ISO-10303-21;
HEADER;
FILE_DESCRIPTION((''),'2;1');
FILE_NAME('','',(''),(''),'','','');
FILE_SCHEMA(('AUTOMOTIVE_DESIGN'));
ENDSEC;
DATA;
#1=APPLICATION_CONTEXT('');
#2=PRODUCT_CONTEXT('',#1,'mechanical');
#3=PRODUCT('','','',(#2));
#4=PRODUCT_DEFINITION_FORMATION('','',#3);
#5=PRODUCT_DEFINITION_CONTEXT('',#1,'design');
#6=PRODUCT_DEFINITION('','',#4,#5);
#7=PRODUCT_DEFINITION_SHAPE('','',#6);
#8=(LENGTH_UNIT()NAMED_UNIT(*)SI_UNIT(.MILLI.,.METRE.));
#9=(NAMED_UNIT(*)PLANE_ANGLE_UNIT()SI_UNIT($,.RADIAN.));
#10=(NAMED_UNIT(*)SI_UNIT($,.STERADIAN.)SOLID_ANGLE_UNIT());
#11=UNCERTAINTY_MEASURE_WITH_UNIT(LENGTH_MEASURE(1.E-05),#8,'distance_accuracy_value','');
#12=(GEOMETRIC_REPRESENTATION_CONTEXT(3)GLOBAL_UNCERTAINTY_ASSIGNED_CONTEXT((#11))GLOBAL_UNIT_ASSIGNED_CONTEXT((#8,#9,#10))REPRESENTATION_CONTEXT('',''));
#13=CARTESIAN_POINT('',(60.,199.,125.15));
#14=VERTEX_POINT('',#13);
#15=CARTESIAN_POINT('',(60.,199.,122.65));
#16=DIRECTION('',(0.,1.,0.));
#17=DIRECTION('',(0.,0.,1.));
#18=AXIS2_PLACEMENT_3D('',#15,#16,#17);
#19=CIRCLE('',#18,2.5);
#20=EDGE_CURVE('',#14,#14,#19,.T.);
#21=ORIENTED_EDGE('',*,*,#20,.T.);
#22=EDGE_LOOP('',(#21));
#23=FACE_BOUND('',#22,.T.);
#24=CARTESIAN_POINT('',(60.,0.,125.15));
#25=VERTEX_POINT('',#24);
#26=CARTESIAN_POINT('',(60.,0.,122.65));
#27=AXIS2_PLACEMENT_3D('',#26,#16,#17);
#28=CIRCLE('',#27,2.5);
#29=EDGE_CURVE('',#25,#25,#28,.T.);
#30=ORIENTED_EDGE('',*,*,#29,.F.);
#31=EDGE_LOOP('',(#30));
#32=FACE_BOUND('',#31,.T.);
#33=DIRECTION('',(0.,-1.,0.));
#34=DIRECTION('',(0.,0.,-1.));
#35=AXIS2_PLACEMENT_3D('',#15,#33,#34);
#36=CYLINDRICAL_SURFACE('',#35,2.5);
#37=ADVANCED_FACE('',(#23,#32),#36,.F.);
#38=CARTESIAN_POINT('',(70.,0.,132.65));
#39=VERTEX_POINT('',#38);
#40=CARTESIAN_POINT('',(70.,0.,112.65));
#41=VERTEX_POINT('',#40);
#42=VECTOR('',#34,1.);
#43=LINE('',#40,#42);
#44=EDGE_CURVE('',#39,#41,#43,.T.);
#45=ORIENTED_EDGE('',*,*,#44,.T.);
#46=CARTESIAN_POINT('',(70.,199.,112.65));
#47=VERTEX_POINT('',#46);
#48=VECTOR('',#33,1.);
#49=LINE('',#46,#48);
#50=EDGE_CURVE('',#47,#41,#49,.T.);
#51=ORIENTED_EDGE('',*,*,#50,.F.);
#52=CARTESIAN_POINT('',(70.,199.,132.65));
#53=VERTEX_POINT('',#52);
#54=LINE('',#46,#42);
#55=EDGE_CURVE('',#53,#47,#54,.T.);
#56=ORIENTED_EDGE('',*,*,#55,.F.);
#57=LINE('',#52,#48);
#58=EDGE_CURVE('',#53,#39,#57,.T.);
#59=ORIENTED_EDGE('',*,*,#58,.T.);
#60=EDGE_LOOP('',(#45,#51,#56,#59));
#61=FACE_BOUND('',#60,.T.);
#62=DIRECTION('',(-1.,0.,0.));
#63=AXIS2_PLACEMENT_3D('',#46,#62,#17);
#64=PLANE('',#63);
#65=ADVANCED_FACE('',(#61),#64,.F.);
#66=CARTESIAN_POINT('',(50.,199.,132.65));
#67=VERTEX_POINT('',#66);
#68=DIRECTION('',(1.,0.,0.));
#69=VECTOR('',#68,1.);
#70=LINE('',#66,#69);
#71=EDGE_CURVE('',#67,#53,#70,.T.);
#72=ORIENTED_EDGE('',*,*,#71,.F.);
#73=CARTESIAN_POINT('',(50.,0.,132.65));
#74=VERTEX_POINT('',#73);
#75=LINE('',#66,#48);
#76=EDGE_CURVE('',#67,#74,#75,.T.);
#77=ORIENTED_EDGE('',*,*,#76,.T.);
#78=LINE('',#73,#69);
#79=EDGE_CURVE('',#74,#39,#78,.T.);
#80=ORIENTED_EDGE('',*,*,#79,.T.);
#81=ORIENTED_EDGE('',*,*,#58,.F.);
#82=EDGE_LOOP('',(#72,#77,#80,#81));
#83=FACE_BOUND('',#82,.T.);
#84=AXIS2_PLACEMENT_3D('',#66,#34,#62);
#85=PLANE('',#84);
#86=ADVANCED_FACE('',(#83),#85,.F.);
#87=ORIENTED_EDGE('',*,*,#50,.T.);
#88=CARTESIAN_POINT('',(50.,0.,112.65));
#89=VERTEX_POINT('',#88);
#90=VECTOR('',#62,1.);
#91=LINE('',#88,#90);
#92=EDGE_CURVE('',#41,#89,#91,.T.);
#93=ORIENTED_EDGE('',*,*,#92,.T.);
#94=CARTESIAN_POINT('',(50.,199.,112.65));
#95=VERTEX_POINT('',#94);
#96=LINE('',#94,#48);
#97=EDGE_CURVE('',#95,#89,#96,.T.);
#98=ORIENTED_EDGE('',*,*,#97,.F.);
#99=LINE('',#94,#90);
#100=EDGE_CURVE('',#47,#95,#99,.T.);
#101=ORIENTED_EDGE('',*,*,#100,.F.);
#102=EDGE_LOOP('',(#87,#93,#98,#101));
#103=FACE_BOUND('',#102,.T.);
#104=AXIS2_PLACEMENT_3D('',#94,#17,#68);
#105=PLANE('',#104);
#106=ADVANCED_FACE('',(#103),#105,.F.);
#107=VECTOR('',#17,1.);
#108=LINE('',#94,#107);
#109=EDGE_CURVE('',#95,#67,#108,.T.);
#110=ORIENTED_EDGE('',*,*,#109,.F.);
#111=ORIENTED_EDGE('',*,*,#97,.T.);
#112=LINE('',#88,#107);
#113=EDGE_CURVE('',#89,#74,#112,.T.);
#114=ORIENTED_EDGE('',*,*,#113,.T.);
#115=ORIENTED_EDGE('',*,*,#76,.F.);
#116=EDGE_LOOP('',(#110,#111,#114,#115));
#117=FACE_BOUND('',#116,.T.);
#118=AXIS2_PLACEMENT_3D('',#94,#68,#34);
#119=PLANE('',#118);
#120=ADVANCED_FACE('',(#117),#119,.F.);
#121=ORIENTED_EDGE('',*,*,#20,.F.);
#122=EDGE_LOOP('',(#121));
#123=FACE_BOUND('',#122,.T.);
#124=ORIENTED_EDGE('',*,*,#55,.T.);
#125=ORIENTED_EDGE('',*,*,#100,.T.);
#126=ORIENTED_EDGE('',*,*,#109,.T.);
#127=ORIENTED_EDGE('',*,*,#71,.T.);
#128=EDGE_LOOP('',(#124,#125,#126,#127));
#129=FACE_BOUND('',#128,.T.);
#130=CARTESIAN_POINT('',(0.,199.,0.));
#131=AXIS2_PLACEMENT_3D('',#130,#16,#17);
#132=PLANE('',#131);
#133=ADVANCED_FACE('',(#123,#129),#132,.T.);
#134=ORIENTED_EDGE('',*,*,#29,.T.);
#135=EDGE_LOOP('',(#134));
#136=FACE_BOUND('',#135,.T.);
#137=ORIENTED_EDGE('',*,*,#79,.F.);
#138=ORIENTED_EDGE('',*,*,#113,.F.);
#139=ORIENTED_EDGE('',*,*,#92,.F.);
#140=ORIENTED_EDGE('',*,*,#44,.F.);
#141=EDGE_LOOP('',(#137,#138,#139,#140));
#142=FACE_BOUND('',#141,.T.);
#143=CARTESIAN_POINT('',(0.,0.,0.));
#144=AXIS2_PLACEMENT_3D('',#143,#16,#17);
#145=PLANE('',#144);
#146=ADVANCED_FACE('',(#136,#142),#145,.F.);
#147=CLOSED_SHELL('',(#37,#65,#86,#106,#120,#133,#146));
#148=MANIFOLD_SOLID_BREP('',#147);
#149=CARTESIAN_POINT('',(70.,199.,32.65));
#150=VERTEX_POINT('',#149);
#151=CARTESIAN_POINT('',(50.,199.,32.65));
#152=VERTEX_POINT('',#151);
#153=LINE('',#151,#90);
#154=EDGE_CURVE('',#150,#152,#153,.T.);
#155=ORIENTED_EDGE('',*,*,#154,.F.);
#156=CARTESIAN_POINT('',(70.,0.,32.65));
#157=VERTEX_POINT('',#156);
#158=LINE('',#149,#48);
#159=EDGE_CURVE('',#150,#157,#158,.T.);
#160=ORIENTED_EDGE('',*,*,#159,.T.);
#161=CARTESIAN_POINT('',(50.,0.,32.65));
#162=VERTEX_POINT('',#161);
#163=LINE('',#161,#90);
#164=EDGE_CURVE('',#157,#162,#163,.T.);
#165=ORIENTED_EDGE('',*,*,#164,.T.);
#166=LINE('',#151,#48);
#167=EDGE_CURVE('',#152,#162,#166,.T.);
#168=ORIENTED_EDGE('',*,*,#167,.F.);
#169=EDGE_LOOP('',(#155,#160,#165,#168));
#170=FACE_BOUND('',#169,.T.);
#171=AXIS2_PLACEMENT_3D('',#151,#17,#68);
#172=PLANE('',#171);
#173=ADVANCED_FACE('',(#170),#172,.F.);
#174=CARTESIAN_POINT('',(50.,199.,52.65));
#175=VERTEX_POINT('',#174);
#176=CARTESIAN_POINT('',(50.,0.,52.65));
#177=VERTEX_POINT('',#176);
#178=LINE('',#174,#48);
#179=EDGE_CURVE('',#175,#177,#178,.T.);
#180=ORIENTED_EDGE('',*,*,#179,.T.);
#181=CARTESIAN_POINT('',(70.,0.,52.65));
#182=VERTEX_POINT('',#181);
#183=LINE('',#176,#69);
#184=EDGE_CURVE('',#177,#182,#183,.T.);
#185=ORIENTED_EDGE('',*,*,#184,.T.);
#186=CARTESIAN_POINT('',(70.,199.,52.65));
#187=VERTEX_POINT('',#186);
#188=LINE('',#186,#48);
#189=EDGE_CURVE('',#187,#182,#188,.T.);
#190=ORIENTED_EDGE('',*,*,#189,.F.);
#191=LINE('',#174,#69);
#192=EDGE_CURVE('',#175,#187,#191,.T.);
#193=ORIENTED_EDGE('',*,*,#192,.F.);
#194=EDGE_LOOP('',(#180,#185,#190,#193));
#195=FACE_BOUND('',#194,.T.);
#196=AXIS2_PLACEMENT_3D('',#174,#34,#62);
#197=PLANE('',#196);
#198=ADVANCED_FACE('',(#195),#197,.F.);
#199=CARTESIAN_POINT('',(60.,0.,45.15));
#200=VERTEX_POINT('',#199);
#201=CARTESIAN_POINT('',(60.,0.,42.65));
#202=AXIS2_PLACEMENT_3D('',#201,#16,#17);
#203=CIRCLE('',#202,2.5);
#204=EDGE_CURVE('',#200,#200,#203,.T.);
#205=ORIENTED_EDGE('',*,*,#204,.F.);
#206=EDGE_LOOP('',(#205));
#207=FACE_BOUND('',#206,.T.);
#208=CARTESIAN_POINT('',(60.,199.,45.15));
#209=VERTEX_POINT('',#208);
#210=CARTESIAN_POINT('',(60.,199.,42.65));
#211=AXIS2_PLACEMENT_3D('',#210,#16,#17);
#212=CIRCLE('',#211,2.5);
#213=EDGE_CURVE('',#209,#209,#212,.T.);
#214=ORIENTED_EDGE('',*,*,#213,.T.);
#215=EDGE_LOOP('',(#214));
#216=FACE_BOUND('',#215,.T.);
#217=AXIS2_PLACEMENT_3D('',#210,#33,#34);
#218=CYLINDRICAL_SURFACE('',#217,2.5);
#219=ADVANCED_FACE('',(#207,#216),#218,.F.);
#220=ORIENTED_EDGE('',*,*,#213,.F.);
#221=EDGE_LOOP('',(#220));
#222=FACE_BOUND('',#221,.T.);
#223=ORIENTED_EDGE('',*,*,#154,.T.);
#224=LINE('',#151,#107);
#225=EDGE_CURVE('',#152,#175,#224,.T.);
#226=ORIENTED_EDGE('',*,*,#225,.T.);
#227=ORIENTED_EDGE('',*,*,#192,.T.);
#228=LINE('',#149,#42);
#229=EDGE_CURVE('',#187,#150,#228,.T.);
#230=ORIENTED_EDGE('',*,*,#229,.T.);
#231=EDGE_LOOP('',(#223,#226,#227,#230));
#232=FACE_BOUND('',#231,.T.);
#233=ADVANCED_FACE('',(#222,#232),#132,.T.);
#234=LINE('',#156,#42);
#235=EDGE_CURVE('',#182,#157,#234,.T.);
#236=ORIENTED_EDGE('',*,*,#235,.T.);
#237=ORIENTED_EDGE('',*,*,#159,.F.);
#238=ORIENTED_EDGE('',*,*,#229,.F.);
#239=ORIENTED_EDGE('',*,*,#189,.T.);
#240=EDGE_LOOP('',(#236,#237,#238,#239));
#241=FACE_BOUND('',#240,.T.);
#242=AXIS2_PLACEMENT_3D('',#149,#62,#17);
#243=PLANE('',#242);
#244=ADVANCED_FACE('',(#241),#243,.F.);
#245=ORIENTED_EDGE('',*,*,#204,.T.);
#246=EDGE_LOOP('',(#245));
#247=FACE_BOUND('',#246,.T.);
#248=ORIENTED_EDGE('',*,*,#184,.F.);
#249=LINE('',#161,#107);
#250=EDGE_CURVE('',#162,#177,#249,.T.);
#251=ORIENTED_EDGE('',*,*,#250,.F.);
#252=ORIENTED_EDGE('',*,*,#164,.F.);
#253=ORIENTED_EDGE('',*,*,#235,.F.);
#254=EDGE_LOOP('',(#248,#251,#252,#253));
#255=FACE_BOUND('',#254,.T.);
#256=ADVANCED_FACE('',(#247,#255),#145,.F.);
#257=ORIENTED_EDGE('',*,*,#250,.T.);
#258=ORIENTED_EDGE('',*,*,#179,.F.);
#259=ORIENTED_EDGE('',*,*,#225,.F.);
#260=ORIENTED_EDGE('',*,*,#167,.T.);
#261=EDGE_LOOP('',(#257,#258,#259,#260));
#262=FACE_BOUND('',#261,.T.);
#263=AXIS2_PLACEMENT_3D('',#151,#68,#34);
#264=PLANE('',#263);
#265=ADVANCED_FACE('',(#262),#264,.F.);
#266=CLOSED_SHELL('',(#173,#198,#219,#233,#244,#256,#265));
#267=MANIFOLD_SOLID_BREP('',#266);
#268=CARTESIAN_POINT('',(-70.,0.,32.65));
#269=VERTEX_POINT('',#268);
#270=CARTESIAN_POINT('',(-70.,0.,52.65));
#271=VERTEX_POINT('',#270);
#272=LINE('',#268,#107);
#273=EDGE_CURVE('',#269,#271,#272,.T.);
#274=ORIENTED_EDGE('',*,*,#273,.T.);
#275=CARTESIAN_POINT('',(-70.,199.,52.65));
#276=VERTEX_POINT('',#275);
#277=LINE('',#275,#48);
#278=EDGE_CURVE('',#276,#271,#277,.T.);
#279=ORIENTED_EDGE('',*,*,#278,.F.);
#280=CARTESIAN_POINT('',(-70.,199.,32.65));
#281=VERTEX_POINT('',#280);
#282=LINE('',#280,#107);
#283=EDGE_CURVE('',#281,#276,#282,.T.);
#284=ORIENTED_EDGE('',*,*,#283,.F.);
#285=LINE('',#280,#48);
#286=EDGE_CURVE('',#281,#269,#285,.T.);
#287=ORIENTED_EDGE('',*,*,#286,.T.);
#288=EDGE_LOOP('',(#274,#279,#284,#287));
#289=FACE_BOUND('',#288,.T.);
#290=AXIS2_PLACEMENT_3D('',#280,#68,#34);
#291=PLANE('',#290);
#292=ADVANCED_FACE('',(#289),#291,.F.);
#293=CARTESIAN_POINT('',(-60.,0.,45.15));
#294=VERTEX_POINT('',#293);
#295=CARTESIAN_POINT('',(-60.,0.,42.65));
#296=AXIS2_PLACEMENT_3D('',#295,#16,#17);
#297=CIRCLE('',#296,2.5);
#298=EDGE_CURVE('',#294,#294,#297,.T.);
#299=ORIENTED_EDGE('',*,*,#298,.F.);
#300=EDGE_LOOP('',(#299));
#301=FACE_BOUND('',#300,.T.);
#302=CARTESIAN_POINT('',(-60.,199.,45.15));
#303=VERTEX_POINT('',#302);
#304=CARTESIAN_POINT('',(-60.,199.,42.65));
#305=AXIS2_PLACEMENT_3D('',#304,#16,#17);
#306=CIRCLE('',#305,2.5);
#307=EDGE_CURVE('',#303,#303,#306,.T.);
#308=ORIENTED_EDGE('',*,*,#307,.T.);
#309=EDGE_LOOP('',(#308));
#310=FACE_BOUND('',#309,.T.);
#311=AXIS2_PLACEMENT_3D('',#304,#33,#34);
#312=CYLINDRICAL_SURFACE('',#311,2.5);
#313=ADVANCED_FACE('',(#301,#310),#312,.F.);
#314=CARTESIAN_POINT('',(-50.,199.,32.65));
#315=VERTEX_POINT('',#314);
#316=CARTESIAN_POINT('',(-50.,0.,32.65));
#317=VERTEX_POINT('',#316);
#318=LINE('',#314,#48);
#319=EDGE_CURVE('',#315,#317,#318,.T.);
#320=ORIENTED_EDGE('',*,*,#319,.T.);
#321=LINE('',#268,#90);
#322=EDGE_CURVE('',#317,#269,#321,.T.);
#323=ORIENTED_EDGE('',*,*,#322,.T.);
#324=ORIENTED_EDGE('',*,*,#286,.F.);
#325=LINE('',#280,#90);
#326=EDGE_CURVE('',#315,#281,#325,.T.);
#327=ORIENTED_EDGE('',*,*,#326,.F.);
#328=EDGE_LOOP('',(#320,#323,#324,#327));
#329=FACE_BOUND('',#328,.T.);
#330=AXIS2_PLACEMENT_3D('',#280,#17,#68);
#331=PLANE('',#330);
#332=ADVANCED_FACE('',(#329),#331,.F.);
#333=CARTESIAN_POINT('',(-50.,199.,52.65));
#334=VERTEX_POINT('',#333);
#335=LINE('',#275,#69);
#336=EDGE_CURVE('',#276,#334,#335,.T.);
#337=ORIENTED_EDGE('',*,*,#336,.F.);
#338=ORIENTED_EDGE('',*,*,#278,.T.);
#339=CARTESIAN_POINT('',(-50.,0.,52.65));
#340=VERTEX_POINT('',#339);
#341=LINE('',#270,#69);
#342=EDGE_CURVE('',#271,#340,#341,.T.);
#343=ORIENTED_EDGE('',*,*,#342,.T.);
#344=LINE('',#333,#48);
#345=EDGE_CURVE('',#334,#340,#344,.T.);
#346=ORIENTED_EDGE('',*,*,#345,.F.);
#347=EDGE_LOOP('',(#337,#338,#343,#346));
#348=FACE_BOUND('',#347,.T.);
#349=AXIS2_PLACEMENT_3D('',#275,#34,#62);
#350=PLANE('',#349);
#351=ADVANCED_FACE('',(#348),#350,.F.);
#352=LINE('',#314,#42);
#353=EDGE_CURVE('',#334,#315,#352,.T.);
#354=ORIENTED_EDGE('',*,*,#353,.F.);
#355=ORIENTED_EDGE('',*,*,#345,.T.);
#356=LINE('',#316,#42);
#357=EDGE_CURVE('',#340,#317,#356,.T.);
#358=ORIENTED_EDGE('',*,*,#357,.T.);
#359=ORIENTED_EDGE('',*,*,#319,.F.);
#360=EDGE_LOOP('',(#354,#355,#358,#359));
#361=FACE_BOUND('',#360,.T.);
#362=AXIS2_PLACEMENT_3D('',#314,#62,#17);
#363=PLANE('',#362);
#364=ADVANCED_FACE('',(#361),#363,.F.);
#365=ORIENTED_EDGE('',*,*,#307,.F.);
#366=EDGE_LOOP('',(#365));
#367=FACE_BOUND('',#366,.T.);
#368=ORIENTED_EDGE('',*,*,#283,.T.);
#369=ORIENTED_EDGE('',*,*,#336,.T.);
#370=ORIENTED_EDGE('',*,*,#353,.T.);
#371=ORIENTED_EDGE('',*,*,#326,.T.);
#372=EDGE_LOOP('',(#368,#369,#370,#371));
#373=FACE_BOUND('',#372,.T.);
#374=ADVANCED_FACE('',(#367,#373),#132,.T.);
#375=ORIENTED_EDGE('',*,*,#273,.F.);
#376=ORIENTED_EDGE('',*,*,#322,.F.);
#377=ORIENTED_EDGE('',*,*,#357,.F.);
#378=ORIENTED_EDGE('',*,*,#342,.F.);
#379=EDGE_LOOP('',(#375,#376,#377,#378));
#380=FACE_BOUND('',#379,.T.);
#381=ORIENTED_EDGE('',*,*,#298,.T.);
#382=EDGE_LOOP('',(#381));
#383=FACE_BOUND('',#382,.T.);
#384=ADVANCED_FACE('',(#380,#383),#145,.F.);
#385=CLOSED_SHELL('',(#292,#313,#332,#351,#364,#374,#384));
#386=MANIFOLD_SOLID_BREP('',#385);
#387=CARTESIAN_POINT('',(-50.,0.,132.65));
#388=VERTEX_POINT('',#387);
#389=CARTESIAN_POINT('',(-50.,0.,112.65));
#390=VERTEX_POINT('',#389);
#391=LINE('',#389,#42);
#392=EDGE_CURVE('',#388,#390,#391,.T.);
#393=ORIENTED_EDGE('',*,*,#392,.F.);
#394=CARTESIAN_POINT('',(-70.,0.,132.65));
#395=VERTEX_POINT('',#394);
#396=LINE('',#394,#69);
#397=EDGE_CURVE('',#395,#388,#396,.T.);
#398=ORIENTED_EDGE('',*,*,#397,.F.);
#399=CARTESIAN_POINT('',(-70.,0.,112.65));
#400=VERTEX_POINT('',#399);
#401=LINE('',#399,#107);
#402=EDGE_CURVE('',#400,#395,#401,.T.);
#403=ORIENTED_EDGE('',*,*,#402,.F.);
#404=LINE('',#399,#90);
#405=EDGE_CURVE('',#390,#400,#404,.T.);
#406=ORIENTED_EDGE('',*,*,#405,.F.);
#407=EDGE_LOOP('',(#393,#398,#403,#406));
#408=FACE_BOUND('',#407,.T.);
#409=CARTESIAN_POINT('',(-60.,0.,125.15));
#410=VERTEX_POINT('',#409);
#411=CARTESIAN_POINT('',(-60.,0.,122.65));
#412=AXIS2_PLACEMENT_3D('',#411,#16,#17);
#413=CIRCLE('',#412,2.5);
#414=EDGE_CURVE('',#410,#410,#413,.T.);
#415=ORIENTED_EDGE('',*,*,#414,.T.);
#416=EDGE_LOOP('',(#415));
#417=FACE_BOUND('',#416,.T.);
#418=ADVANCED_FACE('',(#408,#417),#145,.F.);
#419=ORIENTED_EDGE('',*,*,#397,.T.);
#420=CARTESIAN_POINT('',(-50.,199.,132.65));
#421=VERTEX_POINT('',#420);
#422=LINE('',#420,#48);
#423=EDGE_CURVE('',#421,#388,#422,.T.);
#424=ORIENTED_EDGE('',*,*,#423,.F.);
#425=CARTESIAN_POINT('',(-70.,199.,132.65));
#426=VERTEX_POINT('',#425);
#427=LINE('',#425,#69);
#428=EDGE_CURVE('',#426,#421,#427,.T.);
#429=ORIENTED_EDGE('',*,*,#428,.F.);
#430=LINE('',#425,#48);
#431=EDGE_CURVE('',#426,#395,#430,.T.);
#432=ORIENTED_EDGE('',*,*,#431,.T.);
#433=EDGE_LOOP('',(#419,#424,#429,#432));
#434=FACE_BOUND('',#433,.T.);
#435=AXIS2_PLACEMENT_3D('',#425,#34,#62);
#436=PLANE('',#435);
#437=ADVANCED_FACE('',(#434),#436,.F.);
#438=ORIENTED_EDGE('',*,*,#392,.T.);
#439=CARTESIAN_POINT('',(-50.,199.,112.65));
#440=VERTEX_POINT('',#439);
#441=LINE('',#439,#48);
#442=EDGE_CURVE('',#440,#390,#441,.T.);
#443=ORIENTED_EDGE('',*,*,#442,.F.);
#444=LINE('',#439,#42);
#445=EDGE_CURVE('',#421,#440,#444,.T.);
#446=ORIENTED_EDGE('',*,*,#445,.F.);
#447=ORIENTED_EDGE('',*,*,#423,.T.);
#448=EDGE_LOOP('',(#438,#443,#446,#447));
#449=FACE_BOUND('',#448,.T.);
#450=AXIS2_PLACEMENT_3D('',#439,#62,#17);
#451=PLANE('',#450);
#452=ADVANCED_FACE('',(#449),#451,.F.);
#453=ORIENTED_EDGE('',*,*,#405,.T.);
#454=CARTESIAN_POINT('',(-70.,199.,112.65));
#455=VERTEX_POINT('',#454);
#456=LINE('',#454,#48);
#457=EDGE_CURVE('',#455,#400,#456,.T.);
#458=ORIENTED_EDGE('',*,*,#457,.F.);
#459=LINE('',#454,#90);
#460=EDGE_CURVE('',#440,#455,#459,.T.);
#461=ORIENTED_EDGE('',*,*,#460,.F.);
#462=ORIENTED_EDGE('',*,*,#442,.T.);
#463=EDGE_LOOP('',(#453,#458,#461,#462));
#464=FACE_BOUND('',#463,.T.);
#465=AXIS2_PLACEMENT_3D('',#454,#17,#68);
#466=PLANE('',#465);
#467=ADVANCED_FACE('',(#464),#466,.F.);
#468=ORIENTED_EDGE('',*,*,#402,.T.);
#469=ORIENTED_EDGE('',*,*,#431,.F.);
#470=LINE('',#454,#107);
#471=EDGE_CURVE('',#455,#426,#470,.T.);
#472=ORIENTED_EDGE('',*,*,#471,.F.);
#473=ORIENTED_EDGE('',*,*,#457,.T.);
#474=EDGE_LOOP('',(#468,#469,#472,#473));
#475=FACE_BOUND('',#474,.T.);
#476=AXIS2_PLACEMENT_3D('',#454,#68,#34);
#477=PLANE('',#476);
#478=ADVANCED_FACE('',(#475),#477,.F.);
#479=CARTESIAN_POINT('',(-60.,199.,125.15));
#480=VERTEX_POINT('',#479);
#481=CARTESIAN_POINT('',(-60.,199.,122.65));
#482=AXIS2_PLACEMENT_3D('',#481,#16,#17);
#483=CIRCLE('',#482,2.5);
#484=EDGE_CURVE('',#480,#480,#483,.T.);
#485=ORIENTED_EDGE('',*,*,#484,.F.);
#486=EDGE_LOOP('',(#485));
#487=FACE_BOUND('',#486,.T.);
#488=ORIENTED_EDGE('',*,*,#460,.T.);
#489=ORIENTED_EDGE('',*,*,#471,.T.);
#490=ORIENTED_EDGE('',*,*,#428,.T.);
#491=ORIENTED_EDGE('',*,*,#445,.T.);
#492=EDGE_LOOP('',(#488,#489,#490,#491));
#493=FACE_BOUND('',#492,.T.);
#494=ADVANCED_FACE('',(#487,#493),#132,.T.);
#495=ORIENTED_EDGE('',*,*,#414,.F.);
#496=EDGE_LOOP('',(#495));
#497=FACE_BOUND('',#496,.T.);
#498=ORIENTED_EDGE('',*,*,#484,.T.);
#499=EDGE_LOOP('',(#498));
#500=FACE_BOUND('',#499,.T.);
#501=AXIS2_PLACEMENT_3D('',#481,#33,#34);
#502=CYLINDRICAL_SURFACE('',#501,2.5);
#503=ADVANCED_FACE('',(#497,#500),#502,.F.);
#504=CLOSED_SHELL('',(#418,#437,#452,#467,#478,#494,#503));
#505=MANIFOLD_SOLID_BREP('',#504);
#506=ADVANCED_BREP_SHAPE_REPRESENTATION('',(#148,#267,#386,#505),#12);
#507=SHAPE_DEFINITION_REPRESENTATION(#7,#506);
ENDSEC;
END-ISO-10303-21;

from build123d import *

# Parameters (mm, degrees)
SKIZZE3_W                         = 20
SKIZZE3_H                         = 20
SKIZZE3_R                         = 2.5
AUFSATZ_LINEAR_AUSTRAGEN1_DEPTH   = 199
AUFSATZ_LINEAR_AUSTRAGEN1_2_DEPTH = 199
AUFSATZ_LINEAR_AUSTRAGEN1_3_DEPTH = 199
AUFSATZ_LINEAR_AUSTRAGEN1_4_DEPTH = 199


with BuildPart() as part:
    # Skizze3 → Aufsatz-Linear austragen1 (new body)
    with BuildSketch(Plane(origin=(0, 0, 0), x_dir=(1, 0, 0), z_dir=(0, 1, 0))):
        with Locations((-60, -42.65)):
            Rectangle(SKIZZE3_W, SKIZZE3_H)
        with Locations((-60, -42.65)):
            Circle(SKIZZE3_R, mode=Mode.SUBTRACT)
    extrude(amount=AUFSATZ_LINEAR_AUSTRAGEN1_DEPTH)


with BuildPart() as body_2:
    # Skizze3 → Aufsatz-Linear austragen1 2 (new body)
    with BuildSketch(Plane(origin=(0, 0, 0), x_dir=(1, 0, 0), z_dir=(0, 1, 0))):
        with Locations((60, -42.65)):
            Rectangle(SKIZZE3_W, SKIZZE3_H)
        with Locations((60, -42.65)):
            Circle(SKIZZE3_R, mode=Mode.SUBTRACT)
    extrude(amount=AUFSATZ_LINEAR_AUSTRAGEN1_2_DEPTH)


with BuildPart() as body_3:
    # Skizze3 → Aufsatz-Linear austragen1 3 (new body)
    with BuildSketch(Plane(origin=(0, 0, 0), x_dir=(1, 0, 0), z_dir=(0, 1, 0))):
        with Locations((60, -122.65)):
            Rectangle(SKIZZE3_W, SKIZZE3_H)
        with Locations((60, -122.65)):
            Circle(SKIZZE3_R, mode=Mode.SUBTRACT)
    extrude(amount=AUFSATZ_LINEAR_AUSTRAGEN1_3_DEPTH)


with BuildPart() as body_4:
    # Skizze3 → Aufsatz-Linear austragen1 4 (new body)
    with BuildSketch(Plane(origin=(0, 0, 0), x_dir=(1, 0, 0), z_dir=(0, 1, 0))):
        with Locations((-60, -122.65)):
            Rectangle(SKIZZE3_W, SKIZZE3_H)
        with Locations((-60, -122.65)):
            Circle(SKIZZE3_R, mode=Mode.SUBTRACT)
    extrude(amount=AUFSATZ_LINEAR_AUSTRAGEN1_4_DEPTH)


solid = Compound([part.part, body_2.part, body_3.part, body_4.part])
